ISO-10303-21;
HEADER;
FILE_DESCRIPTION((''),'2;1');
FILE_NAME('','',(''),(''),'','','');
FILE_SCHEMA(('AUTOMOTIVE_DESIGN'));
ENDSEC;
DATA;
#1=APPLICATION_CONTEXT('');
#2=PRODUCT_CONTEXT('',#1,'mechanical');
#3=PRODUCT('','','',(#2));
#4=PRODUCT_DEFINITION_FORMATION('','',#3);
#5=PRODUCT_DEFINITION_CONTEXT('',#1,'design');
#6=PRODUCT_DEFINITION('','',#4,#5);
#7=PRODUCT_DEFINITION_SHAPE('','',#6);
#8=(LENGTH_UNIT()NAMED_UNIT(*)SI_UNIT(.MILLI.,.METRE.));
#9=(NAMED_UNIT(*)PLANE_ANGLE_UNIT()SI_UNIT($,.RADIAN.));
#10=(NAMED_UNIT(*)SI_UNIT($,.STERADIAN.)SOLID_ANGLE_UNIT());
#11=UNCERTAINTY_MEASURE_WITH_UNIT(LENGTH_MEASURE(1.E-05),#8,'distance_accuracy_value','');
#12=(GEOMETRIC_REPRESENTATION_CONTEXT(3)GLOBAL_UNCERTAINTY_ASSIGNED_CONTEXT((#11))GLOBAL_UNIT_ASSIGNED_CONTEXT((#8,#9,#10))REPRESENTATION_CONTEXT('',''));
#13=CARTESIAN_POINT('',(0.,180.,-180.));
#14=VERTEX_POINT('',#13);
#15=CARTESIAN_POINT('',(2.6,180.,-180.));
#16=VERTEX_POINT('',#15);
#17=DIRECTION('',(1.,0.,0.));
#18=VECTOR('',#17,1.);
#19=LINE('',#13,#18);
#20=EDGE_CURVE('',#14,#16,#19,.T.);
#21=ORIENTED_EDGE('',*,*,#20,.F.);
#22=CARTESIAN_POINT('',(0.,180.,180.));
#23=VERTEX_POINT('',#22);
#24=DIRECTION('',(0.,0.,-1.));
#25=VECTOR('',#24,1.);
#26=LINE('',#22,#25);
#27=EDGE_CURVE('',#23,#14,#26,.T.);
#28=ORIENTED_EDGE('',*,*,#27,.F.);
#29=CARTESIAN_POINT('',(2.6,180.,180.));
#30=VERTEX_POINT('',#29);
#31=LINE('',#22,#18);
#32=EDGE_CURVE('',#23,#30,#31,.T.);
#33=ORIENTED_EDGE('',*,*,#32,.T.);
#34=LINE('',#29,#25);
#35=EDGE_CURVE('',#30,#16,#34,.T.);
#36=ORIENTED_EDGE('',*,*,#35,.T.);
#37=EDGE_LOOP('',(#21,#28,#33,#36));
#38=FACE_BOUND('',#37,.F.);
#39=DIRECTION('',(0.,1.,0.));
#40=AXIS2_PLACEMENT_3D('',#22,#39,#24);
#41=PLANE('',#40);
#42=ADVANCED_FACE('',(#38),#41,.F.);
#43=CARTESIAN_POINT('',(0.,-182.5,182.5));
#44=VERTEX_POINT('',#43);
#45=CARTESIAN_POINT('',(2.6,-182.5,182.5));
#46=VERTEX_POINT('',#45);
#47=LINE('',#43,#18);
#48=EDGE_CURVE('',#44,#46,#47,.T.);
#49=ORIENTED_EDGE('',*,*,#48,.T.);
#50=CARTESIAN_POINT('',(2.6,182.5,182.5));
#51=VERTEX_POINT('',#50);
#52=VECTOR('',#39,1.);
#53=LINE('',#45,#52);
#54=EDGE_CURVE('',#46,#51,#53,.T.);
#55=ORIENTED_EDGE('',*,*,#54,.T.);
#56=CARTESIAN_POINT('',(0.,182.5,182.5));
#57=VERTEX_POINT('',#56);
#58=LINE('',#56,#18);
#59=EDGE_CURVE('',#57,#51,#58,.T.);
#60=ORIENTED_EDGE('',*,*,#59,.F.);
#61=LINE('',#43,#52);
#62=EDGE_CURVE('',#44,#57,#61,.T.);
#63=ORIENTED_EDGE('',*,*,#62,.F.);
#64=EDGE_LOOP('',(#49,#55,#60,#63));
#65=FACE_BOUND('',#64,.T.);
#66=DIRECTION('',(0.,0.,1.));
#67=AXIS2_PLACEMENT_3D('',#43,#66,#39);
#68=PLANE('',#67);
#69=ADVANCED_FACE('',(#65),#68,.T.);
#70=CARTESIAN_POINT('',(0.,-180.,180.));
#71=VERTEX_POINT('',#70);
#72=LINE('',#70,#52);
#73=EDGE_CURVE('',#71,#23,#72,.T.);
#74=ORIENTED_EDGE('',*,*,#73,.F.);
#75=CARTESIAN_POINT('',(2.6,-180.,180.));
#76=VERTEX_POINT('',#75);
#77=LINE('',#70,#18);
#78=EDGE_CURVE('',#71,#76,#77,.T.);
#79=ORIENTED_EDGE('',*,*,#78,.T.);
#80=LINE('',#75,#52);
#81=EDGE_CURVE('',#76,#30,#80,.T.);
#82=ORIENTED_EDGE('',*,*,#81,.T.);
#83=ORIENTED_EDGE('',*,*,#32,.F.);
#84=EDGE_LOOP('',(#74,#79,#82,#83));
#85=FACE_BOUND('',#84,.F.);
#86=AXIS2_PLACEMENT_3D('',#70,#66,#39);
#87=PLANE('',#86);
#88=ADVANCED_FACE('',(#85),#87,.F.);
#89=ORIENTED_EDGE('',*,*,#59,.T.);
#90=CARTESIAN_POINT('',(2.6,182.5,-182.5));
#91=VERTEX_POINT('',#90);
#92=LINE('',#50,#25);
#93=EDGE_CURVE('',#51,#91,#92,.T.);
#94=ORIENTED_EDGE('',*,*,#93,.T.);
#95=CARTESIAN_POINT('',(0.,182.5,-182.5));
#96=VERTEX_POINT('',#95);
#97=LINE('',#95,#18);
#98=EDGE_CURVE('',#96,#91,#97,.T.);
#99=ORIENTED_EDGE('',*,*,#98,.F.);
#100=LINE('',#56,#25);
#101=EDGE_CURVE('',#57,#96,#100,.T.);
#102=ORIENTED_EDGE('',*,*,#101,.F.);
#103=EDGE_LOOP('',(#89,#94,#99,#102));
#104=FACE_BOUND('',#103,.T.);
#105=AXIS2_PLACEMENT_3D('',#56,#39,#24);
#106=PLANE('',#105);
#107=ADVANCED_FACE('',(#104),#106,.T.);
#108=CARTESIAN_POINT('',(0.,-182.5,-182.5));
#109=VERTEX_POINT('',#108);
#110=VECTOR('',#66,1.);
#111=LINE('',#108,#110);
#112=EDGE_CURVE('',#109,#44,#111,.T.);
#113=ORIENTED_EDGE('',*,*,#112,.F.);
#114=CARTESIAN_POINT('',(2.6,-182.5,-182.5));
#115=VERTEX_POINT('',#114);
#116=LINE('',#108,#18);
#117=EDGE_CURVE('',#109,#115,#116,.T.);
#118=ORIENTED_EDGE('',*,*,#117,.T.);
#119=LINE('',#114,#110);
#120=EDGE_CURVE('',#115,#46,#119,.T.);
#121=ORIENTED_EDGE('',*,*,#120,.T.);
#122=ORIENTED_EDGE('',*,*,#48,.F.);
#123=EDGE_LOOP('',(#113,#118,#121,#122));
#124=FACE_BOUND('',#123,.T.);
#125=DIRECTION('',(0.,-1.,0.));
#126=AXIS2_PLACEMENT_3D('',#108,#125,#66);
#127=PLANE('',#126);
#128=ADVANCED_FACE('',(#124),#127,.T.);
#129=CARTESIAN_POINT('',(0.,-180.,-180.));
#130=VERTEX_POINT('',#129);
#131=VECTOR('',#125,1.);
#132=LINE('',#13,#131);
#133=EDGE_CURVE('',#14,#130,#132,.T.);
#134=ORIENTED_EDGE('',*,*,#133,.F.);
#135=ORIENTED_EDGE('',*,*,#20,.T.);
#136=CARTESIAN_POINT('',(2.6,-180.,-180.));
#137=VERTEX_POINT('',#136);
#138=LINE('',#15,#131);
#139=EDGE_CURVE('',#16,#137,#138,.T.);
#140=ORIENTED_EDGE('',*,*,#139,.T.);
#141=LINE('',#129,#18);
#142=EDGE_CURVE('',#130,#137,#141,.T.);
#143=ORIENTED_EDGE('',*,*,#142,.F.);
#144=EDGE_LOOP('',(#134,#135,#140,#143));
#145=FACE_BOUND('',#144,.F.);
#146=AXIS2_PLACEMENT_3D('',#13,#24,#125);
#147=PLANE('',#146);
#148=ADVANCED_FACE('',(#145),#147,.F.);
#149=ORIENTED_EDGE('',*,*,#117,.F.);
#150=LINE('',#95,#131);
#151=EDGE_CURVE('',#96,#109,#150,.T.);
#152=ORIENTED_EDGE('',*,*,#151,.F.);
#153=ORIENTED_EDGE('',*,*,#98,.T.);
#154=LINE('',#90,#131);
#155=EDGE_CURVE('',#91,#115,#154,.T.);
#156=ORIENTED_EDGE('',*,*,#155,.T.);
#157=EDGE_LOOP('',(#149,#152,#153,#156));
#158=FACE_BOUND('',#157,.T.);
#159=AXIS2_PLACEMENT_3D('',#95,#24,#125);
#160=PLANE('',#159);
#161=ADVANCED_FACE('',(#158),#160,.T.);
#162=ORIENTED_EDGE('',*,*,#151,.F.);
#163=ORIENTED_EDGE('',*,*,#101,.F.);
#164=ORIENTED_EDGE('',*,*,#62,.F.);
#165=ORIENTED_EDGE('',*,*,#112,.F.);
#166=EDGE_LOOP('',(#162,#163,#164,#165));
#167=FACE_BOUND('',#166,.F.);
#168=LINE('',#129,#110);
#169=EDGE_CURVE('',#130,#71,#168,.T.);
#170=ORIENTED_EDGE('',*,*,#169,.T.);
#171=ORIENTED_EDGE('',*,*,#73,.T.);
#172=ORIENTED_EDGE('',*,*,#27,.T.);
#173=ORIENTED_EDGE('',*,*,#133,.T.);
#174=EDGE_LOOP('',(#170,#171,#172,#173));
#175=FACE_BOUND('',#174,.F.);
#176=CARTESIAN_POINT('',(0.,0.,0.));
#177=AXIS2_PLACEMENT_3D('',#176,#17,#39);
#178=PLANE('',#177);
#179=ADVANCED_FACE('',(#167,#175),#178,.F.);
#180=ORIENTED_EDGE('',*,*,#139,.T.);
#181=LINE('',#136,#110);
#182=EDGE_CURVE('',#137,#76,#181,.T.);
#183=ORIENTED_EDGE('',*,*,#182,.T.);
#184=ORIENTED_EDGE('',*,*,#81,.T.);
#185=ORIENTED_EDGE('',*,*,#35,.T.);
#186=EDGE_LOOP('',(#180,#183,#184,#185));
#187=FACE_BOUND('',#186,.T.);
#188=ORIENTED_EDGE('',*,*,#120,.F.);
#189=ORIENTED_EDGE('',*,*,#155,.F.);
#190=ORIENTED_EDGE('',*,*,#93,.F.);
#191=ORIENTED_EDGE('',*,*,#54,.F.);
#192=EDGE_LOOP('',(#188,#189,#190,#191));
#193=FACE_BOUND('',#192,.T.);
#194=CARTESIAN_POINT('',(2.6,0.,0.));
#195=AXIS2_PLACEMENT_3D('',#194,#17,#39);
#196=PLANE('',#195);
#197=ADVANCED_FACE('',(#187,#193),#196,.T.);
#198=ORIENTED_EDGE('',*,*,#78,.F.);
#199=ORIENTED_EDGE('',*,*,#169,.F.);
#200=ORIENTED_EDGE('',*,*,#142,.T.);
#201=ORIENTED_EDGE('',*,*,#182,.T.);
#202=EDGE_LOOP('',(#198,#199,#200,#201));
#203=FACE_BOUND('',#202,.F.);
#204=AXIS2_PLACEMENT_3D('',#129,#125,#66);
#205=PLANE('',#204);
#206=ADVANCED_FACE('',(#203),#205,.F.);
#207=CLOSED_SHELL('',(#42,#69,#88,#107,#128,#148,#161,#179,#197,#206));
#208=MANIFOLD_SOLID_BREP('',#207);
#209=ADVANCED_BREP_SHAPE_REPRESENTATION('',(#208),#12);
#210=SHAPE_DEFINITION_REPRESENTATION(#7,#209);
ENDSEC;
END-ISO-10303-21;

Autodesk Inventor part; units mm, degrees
ref_plane "YZ Plane" through (0, 0, 0) normal (1, 0, 0) x (0, 1, 0)
ref_plane "XZ Plane" through (0, 0, 0) normal (0, 1, 0) x (-1, 0, 0)
ref_plane "XY Plane" through (0, 0, 0) normal (0, 0, 1) x (1, 0, 0)
sketch "Sketch1" plane through (0, 0, 0) normal (1, 0, 0) x (0, 1, 0)
  line L0 (-180, 180) -> (180, 180)
  line L1 (180, 180) -> (180, -180)
  line L2 (180, -180) -> (-180, -180)
  line L3 (-180, -180) -> (-180, 180)
  line L4 (-180, 180) -> (180, -180) construction
  line L5 (180, 180) -> (-180, -180) construction
  line L6 (-182.5, 182.5) -> (182.5, 182.5)
  line L7 (182.5, 182.5) -> (182.5, -182.5)
  line L8 (182.5, -182.5) -> (-182.5, -182.5)
  line L9 (-182.5, -182.5) -> (-182.5, 182.5)
  line L10 (-182.5, 182.5) -> (182.5, -182.5) construction
  line L11 (182.5, 182.5) -> (-182.5, -182.5) construction
  point P0 (0, 0)
  dimension "d0" = 360
  dimension "d1" = 360
  dimension "d2" = 365
  dimension "d3" = 365
extrude "Extrusion1" add sketch "Sketch1" along normal blind 2.6
properties part number "Outer Rim"
